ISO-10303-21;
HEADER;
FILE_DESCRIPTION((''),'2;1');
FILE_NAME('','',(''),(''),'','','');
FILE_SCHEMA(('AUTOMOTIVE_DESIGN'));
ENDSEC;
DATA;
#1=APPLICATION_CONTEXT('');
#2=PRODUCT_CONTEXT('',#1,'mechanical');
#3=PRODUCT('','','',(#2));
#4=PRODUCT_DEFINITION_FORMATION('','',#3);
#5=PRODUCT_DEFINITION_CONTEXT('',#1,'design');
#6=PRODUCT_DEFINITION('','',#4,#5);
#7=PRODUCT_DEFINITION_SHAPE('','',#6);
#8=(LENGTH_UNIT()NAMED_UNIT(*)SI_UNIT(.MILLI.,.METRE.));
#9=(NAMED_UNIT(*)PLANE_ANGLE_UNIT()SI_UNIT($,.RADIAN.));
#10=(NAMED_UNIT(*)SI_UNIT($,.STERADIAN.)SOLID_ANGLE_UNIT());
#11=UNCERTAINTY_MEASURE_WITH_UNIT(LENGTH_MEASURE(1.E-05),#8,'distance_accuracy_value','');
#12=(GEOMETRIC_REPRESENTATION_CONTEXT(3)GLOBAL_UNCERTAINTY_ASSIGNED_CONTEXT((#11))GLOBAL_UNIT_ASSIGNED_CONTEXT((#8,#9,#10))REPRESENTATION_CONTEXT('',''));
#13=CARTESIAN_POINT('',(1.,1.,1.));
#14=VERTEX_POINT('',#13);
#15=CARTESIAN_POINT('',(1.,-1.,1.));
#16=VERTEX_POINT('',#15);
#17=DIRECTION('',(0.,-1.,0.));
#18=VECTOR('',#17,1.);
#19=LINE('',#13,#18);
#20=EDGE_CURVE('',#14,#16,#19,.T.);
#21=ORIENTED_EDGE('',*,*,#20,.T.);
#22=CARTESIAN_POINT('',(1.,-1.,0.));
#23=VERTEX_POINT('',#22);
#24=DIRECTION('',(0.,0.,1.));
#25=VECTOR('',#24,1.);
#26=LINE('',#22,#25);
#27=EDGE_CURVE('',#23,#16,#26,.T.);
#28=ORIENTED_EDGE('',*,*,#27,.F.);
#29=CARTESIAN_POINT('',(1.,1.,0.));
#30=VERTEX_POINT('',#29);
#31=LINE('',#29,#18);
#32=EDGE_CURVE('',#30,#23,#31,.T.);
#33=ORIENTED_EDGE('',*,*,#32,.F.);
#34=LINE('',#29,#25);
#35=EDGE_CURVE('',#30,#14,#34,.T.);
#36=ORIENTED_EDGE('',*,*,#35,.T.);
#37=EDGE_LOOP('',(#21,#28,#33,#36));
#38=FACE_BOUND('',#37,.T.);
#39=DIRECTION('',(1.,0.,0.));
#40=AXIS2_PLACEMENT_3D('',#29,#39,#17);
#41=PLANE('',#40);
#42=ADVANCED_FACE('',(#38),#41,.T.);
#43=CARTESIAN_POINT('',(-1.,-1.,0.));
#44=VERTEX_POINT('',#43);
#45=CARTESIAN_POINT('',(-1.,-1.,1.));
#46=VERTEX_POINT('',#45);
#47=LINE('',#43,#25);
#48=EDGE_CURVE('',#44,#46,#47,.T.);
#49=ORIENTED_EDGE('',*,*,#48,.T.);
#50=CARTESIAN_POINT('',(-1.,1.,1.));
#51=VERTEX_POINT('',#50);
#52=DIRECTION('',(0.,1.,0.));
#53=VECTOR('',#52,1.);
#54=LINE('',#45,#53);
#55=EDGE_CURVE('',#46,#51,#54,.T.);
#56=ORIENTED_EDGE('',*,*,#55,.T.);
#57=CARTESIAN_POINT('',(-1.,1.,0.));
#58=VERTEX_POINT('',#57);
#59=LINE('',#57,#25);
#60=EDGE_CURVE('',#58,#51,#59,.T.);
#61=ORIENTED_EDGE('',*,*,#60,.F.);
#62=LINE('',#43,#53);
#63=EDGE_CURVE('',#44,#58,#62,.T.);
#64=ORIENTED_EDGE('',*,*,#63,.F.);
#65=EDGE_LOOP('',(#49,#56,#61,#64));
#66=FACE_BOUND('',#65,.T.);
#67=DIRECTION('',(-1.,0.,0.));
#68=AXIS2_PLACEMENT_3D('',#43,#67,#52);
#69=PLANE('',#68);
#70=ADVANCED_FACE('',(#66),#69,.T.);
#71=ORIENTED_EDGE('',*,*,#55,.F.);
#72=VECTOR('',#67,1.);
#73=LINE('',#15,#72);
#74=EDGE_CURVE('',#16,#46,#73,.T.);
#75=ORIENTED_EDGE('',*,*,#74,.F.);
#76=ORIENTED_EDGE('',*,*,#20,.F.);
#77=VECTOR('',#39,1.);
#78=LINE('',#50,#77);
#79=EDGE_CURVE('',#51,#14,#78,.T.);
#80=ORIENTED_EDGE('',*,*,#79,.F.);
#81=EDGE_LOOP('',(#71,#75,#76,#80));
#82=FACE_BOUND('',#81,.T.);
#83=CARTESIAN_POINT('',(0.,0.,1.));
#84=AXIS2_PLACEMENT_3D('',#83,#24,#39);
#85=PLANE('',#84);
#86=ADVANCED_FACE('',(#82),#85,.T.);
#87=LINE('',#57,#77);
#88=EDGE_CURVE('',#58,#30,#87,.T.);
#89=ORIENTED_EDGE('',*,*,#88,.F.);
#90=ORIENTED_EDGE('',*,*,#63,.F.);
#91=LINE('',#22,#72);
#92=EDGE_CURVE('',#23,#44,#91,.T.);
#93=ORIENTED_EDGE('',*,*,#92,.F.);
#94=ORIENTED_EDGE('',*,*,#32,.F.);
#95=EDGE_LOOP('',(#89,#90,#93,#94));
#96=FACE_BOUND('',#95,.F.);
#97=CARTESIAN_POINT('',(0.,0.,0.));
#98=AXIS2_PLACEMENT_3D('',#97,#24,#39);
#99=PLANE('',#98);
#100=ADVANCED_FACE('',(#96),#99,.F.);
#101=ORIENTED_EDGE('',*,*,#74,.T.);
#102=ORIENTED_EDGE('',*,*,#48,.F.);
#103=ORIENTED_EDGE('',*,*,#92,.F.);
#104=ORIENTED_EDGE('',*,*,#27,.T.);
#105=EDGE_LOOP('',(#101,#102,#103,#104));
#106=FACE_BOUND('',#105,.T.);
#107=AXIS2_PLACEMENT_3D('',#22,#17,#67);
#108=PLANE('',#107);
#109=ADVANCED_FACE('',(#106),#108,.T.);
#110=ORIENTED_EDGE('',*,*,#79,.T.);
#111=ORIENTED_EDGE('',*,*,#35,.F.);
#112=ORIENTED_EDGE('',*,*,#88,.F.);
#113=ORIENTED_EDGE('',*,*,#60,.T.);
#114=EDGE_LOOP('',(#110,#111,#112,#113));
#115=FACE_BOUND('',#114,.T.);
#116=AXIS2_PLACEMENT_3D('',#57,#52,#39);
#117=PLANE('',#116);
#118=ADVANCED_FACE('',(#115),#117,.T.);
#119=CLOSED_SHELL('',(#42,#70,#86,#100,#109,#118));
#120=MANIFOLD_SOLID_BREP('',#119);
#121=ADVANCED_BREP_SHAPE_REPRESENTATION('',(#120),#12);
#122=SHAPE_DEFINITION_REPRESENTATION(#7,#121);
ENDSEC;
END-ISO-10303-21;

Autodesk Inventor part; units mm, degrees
ref_plane "YZ Plane" through (0, 0, 0) normal (1, 0, 0) x (0, 1, 0)
ref_plane "XZ Plane" through (0, 0, 0) normal (0, 1, 0) x (-1, 0, 0)
ref_plane "XY Plane" through (0, 0, 0) normal (0, 0, 1) x (1, 0, 0)
sketch "SMD_LED_3MM, SMD_LED_3MM_45" plane through (0, 0, 0) normal (0, 0, 1) x (1, 0, 0)
  line L0 (1, -1) -> (-1, -1)
  line L1 (-1, -1) -> (-1, 1)
  line L2 (-1, 1) -> (1, 1)
  line L3 (1, 1) -> (1, -1)
extrude "Extrusion1" add sketch "SMD_LED_3MM, SMD_LED_3MM_45" along normal blind 1
properties part number "SMD_LED_3MM"
